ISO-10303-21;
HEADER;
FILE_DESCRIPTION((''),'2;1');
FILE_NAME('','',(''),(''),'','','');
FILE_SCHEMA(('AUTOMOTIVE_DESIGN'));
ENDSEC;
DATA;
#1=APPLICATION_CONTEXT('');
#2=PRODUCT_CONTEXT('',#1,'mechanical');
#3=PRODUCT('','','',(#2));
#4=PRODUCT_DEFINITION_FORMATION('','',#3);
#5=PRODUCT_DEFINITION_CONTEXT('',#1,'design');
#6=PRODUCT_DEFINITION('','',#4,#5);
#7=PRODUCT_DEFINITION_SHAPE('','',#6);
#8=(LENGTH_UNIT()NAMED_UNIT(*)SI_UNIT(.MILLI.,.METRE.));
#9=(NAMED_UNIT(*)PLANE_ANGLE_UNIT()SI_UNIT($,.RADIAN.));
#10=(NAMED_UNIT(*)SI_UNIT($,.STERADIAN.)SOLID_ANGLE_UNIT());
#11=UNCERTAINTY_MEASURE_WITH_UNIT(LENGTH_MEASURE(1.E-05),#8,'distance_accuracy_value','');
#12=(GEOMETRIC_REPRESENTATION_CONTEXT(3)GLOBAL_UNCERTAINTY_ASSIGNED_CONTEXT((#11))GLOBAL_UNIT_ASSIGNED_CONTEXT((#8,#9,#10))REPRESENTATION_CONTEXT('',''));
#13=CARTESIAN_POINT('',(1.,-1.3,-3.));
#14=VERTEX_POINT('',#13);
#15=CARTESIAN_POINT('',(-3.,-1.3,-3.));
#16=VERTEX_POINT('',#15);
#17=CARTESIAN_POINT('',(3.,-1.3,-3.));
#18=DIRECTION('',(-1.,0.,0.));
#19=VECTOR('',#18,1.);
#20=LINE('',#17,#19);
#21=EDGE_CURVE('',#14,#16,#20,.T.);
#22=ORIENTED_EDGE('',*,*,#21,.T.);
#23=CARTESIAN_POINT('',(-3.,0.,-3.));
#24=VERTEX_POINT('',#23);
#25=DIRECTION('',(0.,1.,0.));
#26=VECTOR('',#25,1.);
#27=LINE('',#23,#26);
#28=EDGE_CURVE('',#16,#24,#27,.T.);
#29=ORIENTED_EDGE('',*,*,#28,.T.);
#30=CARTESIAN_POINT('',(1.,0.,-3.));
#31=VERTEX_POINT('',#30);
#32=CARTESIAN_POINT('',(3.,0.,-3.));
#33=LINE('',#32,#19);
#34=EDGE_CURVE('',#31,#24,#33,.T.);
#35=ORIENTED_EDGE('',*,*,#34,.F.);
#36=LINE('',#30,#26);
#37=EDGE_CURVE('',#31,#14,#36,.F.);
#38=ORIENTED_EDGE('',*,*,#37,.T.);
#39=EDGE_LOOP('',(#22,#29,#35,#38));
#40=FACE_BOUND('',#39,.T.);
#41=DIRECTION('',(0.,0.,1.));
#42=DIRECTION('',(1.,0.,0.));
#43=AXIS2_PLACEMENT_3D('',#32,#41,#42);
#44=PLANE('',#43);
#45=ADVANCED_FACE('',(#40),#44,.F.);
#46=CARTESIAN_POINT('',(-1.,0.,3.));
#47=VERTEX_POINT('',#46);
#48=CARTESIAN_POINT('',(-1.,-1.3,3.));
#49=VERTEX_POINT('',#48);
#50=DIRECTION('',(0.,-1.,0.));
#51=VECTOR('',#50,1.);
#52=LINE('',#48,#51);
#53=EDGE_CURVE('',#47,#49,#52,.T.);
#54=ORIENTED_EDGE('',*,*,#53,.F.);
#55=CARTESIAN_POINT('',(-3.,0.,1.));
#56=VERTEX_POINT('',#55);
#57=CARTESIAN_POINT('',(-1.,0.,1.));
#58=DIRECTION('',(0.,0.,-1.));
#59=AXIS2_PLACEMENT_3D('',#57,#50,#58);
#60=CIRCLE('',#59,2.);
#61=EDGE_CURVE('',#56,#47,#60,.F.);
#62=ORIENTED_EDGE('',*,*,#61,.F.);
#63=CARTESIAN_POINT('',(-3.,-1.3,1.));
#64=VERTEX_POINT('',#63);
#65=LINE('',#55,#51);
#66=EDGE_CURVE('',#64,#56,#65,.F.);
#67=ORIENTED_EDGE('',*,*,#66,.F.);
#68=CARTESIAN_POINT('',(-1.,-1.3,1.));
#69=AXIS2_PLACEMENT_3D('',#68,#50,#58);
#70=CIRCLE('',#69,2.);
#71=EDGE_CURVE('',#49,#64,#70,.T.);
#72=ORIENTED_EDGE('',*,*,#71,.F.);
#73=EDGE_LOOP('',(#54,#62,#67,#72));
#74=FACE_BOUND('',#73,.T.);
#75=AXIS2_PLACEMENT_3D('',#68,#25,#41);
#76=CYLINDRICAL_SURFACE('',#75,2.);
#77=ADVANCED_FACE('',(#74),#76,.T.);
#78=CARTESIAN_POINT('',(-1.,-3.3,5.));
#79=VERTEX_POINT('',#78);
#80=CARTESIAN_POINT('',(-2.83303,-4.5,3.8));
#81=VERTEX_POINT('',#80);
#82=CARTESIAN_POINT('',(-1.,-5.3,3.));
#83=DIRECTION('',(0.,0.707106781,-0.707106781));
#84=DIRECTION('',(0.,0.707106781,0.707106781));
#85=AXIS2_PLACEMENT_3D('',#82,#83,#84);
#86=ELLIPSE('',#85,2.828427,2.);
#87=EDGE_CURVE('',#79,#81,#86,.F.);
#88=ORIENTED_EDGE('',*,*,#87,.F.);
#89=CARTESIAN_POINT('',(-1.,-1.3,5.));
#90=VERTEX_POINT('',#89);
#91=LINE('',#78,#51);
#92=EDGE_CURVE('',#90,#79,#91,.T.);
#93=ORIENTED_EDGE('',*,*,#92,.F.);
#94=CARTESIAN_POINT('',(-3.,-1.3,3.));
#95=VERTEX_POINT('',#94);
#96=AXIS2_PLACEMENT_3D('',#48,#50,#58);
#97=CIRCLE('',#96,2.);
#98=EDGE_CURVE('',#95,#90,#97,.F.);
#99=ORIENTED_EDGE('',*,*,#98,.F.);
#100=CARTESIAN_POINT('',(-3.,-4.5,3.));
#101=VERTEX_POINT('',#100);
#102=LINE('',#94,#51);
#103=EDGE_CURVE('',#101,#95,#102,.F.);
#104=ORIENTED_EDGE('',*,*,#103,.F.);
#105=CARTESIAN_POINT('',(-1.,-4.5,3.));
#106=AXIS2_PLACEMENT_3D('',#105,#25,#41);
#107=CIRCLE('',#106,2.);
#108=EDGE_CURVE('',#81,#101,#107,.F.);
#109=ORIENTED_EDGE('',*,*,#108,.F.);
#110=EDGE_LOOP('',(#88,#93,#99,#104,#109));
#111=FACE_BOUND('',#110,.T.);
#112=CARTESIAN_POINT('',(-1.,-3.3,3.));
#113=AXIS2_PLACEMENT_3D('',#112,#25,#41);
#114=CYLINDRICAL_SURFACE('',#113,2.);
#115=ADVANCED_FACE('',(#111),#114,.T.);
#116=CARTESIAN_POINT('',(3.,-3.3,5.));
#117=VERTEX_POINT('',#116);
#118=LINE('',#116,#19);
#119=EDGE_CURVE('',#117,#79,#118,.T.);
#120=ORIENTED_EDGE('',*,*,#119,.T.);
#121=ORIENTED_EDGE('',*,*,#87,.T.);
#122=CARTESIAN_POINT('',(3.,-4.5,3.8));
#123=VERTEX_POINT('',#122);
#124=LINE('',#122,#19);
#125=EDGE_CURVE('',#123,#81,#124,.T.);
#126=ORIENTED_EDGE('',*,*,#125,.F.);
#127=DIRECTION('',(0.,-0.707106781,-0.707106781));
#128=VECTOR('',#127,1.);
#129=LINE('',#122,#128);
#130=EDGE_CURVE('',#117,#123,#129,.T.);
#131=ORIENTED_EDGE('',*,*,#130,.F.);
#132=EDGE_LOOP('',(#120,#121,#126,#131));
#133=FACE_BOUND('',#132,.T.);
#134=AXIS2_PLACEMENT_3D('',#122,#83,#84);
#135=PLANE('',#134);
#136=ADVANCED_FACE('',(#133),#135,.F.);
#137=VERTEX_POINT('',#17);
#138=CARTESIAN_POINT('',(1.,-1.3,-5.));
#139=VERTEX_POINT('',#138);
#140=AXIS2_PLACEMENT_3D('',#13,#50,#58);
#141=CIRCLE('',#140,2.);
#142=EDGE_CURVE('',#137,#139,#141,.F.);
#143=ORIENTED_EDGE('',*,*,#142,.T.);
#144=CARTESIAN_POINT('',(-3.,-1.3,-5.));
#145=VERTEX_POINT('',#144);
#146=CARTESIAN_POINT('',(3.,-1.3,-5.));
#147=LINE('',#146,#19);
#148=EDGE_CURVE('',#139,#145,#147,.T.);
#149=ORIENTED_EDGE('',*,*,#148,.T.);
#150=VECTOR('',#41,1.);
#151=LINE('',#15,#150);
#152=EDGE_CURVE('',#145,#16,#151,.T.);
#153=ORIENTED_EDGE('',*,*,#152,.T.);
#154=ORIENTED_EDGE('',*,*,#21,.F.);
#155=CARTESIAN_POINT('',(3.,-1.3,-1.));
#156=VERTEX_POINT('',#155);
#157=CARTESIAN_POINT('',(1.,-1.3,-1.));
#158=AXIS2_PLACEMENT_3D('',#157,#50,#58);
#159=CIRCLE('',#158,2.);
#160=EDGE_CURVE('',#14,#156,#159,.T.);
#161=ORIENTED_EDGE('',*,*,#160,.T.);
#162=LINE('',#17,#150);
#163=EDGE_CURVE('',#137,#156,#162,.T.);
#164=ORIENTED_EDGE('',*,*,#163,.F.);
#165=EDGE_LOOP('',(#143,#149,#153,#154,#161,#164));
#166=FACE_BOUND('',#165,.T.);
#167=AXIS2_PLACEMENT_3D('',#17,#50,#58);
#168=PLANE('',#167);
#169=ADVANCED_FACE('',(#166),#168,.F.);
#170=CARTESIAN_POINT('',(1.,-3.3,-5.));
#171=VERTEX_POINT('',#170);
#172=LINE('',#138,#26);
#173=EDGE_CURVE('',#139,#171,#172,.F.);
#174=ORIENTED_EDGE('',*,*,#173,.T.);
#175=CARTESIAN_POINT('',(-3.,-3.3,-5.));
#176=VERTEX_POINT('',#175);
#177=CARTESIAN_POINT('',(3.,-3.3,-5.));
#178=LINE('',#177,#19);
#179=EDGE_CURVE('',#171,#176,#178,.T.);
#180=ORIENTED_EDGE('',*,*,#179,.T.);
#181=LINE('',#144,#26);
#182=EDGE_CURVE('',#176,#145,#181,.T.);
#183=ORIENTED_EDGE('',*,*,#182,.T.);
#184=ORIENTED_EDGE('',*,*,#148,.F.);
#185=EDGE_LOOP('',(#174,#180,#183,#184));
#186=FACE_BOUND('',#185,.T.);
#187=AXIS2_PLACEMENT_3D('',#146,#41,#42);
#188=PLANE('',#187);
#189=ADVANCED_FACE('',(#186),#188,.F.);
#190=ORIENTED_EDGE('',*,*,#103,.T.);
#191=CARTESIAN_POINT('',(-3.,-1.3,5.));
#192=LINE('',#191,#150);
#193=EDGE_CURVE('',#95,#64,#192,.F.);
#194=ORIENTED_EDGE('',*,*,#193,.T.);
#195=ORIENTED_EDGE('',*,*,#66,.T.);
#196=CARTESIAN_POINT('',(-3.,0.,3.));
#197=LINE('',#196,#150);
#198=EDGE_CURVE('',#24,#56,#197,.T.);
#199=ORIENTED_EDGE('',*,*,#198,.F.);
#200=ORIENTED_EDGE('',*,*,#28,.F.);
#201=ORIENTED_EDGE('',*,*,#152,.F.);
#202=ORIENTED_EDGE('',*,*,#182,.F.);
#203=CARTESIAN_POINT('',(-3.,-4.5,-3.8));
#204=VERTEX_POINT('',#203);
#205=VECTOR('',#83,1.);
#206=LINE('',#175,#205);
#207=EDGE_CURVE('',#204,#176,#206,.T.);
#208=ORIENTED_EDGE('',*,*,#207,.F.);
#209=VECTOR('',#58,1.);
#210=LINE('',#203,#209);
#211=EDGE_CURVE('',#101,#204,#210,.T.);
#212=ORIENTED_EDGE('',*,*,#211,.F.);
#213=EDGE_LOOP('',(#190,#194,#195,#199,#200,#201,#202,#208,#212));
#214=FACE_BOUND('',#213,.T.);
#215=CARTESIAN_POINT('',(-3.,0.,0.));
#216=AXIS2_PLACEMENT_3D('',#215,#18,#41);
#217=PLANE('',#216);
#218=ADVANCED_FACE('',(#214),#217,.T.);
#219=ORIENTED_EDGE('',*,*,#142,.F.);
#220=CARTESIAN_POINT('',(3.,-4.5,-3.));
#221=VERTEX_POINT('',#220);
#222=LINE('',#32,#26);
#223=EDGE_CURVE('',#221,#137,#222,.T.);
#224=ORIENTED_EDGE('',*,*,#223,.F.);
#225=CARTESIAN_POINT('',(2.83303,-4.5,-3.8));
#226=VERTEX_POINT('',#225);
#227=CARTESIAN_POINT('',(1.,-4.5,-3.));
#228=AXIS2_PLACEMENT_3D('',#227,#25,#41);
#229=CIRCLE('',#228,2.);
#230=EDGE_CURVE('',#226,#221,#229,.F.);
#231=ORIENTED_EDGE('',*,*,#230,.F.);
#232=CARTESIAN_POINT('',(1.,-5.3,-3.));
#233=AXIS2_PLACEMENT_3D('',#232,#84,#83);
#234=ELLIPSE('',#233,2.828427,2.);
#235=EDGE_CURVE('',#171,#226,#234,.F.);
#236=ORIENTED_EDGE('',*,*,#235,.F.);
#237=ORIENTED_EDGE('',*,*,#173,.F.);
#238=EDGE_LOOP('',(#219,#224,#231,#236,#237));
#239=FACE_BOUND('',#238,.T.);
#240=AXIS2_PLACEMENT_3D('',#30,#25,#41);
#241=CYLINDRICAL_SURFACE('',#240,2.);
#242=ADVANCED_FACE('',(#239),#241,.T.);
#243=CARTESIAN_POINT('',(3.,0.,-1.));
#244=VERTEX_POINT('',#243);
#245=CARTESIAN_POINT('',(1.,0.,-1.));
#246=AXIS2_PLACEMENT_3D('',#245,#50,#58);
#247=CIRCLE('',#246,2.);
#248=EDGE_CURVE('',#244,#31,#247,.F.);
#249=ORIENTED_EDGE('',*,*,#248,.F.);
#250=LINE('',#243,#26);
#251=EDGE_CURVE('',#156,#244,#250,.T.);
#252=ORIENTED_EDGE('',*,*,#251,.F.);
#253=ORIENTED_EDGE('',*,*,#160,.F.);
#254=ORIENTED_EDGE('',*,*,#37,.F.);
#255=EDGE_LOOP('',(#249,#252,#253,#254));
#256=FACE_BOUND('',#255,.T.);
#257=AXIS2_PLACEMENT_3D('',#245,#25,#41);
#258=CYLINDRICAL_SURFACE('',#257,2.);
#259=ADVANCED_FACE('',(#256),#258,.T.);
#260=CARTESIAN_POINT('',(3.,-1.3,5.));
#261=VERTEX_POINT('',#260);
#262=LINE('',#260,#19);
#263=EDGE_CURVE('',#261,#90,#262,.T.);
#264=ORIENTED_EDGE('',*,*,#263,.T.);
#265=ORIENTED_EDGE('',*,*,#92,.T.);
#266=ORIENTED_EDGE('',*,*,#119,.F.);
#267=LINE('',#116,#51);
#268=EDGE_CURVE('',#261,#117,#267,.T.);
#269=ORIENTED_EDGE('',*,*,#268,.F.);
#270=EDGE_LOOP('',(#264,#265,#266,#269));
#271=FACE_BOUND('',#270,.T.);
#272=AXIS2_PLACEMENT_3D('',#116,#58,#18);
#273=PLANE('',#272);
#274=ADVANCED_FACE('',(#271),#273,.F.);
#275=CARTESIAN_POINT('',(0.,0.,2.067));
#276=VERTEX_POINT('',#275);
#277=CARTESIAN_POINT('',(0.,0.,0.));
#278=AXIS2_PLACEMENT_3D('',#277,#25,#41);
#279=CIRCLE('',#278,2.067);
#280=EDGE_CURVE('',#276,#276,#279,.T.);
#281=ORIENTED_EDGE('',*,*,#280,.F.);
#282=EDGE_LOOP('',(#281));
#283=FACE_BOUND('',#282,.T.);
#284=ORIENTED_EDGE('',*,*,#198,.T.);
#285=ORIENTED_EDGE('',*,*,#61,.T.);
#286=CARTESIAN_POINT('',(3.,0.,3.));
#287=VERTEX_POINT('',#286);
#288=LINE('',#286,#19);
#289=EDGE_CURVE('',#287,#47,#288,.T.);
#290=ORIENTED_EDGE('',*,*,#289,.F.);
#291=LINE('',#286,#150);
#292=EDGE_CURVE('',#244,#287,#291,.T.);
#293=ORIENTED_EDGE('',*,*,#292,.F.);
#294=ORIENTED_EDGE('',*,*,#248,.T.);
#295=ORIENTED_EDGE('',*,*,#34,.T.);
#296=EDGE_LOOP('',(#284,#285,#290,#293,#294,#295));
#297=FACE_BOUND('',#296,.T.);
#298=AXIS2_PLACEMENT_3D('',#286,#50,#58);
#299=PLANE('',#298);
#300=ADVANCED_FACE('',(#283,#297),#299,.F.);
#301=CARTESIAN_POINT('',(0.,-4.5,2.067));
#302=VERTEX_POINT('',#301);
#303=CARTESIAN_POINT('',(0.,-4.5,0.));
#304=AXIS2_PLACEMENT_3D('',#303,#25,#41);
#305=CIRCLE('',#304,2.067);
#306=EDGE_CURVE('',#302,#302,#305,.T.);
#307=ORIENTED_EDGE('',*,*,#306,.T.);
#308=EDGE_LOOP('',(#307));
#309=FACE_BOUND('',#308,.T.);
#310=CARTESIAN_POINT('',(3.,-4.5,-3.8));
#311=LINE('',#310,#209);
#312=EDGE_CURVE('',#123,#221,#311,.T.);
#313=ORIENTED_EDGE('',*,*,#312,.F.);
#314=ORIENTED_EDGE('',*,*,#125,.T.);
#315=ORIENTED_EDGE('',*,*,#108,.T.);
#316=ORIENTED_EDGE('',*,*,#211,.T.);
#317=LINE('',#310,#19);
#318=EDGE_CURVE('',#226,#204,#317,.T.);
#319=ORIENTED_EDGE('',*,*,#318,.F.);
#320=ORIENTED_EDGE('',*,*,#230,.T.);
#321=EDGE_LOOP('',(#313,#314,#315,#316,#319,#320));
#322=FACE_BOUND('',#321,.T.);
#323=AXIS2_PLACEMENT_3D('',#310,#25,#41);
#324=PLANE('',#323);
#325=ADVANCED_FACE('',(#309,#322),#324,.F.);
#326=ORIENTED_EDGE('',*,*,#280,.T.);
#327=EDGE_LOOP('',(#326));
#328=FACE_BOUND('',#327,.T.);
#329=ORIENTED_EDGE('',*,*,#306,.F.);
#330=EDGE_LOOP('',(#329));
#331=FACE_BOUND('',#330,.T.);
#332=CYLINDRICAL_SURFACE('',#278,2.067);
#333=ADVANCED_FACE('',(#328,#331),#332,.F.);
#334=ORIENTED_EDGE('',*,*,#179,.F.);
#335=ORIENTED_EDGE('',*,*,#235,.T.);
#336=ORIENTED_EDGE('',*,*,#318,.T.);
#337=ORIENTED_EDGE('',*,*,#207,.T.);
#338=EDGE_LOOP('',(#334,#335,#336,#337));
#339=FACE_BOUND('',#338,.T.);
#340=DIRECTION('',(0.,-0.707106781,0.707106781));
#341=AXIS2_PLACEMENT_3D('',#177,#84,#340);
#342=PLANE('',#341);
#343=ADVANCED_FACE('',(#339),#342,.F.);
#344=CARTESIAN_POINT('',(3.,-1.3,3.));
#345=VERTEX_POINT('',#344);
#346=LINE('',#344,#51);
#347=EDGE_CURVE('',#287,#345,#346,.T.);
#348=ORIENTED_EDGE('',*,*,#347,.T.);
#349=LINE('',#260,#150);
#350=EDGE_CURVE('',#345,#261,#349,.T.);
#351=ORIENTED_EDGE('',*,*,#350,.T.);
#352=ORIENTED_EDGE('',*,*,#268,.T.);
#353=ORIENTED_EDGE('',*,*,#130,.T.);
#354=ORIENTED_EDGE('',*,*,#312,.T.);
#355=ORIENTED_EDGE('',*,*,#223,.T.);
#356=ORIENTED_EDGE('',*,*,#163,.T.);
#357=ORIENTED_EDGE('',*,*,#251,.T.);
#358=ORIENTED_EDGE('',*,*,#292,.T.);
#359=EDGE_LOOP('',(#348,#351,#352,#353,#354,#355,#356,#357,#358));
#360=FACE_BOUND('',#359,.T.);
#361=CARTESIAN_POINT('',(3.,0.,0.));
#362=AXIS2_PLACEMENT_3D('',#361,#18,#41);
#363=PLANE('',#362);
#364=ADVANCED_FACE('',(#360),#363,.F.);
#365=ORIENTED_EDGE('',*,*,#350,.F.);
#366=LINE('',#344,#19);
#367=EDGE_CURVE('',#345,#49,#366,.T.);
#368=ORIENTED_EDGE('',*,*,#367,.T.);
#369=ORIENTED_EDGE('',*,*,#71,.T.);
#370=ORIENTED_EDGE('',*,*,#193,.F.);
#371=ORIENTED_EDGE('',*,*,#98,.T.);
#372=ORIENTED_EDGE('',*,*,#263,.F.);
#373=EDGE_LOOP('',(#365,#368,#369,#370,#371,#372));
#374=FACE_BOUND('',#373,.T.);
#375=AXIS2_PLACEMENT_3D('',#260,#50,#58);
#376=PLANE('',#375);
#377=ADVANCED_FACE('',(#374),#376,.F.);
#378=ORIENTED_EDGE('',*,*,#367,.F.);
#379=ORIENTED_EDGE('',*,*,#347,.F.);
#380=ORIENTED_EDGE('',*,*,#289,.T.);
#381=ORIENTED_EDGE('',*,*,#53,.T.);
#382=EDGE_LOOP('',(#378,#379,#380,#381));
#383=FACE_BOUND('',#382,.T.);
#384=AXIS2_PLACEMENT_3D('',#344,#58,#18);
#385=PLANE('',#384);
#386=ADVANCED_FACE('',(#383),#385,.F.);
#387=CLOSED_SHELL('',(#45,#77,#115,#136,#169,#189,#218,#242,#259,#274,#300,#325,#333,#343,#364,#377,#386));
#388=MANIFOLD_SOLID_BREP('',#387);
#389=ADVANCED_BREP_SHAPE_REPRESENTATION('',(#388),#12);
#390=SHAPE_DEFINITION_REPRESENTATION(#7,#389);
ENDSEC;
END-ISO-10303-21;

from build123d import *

# Parameters (mm, degrees)
BOSS_EXTRUDE1_DEPTH = 3
FILLET1_R           = 2
TAP1_D              = 4.134


with BuildPart() as part:
    # Sketch1 → Boss-Extrude1 (new body, symmetric)
    with BuildSketch(Plane(origin=(0, 0, 0), x_dir=(0, 0, -1), z_dir=(1, 0, 0))):
        Polygon((-3, 0), (3, 0), (3, -1.3), (5, -1.3), (5, -3.3), (3.8, -4.5), (-3.8, -4.5), (-5, -3.3), (-5, -1.3), (-3, -1.3), align=None)
    extrude(amount=BOSS_EXTRUDE1_DEPTH, both=True)

    # Fillet1
    fillet1_edges = [part.edges().sort_by_distance(p)[0] for p in [
        (3, -2.3, -5),
        (-3, -2.3, 5),
        (3, -0.65, -3),
        (-3, -0.65, 3),
    ]]
    fillet(fillet1_edges, radius=FILLET1_R)

    # Tap1 (through all)
    with Locations(Plane(origin=(0, 0, 0), x_dir=(1, 0, 0), z_dir=(0, 1, 0))):
        with Locations((0, 0)):
            Hole(TAP1_D / 2)


solid = part.part
